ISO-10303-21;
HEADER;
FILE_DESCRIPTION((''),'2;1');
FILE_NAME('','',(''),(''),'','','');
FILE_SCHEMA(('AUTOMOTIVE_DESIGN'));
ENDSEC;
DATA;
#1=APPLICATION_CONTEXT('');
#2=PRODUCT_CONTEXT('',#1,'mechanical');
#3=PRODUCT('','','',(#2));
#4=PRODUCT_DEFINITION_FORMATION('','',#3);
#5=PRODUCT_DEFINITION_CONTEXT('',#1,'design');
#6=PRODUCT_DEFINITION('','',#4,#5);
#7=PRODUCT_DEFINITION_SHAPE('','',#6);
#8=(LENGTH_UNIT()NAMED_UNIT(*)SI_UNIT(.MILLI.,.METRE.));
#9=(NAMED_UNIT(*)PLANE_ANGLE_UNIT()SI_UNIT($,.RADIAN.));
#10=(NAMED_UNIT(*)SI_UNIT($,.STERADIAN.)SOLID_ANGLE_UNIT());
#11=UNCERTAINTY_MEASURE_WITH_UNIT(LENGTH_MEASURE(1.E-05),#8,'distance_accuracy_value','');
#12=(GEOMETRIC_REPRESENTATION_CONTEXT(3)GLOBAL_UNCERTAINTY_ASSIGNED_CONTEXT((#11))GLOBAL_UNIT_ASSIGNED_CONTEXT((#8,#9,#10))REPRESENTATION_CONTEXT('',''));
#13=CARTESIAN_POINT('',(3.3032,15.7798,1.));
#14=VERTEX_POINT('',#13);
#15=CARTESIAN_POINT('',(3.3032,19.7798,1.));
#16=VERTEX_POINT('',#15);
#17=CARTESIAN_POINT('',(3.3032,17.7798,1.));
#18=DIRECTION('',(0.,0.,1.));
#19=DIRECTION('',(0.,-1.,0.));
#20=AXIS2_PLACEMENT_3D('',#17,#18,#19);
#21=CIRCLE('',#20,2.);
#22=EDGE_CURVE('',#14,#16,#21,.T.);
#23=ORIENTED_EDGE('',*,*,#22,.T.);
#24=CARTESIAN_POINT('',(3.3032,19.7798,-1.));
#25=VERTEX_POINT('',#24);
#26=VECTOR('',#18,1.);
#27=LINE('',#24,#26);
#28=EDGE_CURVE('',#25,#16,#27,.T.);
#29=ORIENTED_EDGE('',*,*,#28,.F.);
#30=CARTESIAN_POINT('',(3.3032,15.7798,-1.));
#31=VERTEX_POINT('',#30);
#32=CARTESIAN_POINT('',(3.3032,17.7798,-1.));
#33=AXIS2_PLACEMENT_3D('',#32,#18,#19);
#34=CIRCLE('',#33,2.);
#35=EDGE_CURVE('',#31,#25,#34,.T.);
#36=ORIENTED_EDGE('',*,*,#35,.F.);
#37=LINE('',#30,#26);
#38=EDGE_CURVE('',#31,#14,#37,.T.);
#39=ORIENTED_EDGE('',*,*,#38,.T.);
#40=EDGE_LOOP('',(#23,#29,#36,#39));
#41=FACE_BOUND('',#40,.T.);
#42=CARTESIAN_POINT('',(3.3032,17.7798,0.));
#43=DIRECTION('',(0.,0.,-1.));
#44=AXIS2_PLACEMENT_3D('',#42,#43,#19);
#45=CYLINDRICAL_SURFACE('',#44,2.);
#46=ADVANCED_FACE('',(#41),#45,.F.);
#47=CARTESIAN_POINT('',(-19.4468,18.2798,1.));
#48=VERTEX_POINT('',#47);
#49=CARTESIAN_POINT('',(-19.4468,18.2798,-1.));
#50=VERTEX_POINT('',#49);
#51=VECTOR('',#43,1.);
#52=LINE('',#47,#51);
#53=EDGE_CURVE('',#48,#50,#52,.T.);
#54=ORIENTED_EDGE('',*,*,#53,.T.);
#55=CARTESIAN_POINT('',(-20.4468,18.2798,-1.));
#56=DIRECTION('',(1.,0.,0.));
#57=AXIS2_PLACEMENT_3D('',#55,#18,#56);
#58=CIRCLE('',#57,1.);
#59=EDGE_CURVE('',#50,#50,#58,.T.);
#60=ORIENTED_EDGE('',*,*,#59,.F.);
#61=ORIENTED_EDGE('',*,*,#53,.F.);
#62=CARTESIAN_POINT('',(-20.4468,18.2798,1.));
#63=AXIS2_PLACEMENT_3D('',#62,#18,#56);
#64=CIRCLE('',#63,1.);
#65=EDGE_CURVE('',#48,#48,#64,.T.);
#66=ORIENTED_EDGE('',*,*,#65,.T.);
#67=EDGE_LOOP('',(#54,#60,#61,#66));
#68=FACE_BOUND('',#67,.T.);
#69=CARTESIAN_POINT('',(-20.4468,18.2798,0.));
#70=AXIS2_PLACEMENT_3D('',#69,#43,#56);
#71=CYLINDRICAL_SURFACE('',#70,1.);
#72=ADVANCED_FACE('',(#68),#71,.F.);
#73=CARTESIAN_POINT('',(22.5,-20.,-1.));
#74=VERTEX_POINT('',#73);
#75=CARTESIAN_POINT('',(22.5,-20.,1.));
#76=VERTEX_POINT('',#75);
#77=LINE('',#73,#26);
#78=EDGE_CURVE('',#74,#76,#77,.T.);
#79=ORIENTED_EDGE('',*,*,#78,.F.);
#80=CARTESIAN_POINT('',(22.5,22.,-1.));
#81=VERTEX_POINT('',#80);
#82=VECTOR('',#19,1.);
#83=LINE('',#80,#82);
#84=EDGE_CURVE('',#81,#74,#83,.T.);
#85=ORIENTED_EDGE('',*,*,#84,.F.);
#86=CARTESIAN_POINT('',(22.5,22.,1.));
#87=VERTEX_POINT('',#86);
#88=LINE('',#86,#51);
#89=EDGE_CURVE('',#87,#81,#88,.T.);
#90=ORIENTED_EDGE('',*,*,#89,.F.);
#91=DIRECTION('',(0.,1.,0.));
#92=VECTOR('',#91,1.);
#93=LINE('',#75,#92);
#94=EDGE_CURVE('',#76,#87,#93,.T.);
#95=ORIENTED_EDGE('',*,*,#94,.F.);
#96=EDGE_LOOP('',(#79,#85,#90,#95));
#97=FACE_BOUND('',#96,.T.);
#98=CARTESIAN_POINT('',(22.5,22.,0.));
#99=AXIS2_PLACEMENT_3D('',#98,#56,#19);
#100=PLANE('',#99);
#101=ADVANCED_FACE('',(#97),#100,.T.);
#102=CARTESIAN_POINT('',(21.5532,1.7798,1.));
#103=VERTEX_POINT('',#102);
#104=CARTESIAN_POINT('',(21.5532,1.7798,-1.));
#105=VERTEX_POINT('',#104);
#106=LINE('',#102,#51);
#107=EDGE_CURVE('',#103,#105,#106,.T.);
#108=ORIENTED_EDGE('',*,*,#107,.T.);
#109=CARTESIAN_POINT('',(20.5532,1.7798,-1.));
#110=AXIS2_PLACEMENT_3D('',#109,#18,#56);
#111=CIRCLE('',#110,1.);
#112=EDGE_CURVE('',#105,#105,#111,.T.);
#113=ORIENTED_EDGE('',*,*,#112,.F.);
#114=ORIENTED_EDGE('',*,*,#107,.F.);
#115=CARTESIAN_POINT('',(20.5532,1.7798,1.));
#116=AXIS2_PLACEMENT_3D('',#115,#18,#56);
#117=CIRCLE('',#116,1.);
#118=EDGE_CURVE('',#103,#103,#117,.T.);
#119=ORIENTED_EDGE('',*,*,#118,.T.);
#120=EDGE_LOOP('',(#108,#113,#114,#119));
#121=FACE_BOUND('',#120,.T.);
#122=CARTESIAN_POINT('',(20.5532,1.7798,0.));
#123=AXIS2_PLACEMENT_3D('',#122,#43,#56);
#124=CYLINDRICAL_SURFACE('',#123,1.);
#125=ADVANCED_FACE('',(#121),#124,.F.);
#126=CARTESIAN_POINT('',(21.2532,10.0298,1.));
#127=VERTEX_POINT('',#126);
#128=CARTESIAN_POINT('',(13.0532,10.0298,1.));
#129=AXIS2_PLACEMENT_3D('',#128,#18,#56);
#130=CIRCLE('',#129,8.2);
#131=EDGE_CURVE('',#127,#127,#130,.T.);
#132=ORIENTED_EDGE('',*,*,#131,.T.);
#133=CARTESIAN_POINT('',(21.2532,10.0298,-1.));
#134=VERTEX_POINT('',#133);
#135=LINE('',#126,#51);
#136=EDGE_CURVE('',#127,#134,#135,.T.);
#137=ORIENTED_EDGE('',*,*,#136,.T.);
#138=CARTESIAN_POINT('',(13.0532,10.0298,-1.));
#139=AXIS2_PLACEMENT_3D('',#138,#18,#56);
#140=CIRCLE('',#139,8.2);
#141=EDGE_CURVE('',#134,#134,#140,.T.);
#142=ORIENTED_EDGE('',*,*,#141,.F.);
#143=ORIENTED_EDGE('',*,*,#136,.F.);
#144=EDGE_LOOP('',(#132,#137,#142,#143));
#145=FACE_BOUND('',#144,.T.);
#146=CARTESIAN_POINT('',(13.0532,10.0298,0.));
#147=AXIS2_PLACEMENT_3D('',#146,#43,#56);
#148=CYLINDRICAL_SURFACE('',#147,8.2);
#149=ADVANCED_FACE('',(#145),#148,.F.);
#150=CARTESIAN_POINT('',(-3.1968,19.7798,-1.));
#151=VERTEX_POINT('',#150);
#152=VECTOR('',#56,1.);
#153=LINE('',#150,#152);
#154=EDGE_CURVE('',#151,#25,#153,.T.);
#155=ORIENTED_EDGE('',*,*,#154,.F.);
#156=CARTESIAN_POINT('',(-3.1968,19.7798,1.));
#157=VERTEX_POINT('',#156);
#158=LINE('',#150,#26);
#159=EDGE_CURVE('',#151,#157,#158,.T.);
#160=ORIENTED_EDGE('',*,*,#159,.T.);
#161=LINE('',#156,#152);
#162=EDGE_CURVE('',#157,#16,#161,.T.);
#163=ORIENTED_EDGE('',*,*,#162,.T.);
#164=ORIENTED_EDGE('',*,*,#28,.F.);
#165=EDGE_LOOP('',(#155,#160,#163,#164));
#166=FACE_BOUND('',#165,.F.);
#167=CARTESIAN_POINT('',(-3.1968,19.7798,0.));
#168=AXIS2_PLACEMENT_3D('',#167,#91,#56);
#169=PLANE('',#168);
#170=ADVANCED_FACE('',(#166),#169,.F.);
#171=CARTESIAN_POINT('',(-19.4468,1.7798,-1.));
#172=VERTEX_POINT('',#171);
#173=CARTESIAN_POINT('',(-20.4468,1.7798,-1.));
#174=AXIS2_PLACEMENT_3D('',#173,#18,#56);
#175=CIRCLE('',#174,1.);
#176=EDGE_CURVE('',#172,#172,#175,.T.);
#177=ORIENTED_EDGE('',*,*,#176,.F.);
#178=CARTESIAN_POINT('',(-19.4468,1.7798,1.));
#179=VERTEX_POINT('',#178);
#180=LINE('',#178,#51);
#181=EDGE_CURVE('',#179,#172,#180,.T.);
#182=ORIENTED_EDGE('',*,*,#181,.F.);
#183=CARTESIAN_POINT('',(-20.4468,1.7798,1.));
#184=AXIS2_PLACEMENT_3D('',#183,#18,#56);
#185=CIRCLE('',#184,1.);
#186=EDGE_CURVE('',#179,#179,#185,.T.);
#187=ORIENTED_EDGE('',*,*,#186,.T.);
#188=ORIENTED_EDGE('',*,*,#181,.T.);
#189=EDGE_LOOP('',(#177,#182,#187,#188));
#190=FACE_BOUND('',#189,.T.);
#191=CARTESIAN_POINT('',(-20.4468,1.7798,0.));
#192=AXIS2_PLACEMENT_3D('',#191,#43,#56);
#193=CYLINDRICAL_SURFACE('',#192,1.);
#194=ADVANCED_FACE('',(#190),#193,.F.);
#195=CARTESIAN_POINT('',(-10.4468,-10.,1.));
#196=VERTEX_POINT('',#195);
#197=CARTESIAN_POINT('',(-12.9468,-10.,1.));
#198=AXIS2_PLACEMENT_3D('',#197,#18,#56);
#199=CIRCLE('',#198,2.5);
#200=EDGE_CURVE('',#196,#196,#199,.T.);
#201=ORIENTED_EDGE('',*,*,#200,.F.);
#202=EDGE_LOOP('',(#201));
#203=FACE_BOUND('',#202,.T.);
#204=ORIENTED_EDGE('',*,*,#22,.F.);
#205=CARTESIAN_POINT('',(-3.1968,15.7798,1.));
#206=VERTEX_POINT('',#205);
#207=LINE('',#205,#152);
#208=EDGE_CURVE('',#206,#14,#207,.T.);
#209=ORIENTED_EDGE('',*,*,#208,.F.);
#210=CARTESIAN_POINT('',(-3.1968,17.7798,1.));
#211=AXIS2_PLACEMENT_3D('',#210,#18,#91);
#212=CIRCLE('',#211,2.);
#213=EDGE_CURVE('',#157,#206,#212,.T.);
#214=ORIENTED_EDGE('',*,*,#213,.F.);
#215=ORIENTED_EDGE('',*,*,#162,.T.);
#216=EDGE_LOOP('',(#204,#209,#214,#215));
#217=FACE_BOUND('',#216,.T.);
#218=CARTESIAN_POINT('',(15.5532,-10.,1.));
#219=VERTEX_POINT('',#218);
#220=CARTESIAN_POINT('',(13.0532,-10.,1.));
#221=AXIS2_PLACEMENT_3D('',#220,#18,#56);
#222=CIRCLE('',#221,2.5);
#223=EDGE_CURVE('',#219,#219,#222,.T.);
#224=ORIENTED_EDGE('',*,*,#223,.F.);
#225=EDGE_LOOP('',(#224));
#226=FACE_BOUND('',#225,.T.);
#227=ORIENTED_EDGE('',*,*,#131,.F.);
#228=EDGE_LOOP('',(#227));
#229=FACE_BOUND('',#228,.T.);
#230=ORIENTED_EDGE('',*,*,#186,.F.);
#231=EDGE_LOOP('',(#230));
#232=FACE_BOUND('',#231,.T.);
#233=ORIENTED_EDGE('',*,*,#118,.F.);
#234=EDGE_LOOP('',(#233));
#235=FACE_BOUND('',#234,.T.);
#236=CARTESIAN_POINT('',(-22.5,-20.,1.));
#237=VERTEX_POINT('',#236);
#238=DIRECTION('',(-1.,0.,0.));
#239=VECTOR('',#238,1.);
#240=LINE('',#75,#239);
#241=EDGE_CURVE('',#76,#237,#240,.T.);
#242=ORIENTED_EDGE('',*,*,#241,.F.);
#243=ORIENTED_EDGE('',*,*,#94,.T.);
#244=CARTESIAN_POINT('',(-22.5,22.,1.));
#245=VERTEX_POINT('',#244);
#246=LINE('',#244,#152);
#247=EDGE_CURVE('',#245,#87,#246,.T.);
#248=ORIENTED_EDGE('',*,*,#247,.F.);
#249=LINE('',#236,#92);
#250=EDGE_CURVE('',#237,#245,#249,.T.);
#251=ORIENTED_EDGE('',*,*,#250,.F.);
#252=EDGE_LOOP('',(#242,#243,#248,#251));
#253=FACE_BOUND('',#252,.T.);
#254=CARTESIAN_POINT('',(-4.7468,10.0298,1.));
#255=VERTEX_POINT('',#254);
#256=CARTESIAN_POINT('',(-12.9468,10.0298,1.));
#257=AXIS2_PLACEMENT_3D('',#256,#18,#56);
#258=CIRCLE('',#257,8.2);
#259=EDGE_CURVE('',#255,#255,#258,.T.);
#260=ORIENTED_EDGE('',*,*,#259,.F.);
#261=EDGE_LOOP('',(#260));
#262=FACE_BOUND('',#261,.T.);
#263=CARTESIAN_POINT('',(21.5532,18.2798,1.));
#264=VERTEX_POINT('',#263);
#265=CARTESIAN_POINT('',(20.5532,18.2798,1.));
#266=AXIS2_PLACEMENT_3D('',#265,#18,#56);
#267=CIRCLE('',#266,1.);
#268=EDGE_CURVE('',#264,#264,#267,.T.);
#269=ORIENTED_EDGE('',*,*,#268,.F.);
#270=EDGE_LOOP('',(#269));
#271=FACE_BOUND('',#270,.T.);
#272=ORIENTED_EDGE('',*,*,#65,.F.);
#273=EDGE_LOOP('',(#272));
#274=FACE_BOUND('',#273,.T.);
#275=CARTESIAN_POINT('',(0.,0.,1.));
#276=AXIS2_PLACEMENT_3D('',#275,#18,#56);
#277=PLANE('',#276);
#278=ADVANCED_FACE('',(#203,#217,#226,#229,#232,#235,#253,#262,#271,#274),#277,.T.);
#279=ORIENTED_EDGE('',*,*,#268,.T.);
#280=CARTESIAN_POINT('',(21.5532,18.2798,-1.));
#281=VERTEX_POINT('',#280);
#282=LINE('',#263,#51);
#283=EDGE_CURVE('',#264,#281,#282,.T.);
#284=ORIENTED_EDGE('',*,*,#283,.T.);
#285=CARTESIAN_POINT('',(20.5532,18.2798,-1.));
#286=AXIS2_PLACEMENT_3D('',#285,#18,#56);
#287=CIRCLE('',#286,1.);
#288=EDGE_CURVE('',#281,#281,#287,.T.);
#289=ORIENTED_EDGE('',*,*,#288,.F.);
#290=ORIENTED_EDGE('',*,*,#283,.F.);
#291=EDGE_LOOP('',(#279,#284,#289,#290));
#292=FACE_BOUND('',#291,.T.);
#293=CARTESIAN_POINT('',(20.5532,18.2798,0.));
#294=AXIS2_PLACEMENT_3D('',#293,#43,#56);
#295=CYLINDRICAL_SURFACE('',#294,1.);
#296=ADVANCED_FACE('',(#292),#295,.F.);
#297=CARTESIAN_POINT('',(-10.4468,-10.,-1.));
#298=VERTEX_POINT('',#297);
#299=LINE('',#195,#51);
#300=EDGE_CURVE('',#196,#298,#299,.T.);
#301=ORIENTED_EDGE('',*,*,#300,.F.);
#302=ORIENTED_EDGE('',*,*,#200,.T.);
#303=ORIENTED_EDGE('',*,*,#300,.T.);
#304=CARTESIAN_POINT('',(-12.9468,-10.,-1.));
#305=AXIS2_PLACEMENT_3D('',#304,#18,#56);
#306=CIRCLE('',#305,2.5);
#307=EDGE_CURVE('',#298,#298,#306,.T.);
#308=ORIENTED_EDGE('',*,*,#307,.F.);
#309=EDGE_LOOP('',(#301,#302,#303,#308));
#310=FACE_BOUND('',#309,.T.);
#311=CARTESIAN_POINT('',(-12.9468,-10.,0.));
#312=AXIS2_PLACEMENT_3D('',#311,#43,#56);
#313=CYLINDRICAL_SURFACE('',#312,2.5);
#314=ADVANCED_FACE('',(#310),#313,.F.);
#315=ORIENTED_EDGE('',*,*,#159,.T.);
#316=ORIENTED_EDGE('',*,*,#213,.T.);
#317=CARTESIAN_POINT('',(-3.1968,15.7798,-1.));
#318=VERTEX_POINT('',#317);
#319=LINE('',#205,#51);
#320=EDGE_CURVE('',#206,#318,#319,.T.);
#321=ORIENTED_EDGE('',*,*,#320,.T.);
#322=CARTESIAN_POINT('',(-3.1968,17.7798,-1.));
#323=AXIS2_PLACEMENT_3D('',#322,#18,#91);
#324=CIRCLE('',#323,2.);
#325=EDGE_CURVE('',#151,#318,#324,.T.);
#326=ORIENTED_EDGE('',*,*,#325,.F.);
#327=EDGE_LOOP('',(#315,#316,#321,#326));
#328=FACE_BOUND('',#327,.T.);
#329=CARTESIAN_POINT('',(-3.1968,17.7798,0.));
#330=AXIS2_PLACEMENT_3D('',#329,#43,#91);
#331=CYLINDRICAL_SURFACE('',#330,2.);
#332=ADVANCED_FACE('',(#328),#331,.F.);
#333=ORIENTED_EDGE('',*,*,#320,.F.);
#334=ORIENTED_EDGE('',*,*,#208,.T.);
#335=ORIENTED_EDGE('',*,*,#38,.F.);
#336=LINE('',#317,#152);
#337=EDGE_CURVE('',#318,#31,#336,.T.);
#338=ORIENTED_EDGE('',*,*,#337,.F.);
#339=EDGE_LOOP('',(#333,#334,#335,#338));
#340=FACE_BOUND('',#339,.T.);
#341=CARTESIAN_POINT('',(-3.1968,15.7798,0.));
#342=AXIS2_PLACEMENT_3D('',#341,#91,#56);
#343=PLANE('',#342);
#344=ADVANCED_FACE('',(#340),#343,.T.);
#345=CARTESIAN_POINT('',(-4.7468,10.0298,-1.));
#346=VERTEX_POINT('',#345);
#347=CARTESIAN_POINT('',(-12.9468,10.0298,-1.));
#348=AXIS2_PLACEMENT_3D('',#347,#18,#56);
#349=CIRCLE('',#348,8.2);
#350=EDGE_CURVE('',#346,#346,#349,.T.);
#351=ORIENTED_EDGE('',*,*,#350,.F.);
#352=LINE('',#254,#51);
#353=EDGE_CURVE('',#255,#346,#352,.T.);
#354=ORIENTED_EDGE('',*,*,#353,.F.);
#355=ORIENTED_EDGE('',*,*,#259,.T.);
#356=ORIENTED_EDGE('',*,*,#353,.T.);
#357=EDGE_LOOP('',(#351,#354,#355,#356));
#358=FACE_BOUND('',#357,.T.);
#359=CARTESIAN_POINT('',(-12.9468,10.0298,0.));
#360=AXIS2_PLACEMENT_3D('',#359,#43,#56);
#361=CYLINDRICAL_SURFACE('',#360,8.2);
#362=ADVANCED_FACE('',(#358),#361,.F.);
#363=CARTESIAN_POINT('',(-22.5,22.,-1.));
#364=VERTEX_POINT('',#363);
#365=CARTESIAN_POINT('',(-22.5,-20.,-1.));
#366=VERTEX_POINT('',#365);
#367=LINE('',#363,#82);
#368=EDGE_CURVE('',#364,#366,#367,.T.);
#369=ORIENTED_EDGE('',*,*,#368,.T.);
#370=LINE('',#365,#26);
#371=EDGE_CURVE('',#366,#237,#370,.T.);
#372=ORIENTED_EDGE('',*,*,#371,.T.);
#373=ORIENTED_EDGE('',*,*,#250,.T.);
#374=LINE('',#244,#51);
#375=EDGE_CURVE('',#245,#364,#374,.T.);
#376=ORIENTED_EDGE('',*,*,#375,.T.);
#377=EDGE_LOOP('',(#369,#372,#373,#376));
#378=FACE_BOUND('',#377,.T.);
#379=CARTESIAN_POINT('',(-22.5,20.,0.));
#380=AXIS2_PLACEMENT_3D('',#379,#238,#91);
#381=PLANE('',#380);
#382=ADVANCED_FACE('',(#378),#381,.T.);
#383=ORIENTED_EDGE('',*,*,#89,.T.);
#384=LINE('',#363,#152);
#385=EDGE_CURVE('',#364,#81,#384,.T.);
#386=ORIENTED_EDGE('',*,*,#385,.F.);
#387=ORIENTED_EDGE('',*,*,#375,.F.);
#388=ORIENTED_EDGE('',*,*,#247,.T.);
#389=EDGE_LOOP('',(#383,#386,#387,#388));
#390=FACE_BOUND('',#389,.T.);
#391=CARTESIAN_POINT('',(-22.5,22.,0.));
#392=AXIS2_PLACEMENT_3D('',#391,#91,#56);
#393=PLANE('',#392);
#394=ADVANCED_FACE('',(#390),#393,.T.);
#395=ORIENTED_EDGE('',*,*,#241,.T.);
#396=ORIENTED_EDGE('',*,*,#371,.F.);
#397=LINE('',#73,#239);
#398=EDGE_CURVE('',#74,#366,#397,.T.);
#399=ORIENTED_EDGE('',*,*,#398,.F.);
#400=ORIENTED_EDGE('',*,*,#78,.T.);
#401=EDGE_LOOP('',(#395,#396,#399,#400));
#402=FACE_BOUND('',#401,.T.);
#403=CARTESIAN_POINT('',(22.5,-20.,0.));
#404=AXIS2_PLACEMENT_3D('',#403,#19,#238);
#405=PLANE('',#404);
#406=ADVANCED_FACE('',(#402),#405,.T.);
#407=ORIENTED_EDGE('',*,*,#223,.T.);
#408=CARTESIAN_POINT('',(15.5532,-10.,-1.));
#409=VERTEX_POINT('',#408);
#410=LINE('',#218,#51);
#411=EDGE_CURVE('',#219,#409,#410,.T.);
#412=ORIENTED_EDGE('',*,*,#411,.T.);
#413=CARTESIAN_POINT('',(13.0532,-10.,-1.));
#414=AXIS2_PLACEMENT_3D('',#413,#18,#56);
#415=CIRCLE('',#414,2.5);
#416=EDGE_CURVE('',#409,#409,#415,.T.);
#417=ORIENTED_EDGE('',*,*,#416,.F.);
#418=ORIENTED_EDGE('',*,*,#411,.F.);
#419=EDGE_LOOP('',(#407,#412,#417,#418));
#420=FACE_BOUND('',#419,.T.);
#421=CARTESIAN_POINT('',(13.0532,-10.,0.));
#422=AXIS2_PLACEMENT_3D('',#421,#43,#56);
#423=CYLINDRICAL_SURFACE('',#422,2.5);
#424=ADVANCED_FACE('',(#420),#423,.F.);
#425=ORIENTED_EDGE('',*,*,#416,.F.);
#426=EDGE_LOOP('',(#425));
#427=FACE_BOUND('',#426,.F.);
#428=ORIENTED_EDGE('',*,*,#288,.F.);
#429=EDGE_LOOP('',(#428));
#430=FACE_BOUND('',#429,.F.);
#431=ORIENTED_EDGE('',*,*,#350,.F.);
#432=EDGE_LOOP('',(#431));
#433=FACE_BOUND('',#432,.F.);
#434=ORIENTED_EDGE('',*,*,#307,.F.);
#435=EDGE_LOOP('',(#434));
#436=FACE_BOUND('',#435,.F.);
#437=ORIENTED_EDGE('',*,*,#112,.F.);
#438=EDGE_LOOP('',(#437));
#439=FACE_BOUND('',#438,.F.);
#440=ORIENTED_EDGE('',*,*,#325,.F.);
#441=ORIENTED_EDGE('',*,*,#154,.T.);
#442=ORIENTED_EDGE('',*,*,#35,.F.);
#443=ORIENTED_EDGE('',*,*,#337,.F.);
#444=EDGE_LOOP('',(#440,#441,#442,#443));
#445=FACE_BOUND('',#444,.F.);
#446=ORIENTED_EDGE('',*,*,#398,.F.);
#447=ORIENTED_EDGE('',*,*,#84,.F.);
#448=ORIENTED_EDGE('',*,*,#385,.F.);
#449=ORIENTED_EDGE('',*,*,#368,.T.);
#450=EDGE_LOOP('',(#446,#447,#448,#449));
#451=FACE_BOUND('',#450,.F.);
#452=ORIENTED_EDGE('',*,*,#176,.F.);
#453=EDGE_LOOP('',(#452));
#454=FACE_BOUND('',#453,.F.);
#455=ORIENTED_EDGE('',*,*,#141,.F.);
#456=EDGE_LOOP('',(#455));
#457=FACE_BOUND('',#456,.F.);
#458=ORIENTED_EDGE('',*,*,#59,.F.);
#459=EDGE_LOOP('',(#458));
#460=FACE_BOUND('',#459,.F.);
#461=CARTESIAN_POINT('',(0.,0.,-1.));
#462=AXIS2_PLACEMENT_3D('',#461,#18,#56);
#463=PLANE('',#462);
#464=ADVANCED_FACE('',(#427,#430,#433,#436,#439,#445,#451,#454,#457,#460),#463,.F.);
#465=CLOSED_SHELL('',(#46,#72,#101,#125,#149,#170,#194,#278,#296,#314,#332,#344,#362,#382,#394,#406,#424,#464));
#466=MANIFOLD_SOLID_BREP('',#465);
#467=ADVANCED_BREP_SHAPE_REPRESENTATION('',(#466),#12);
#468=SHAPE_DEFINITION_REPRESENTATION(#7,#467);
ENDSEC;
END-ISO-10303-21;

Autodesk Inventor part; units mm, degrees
sketch "Sketch1" plane through (0, 0, 0) normal (0, 0, 1) x (1, 0, 0)
  line L0 (-22.5, 20) -> (22.5, 20)
  line L1 (22.5, 20) -> (22.5, 0)
  line L2 (22.5, 0) -> (-22.5, 0)
  line L3 (-22.5, 0) -> (-22.5, 20)
  line L4 (-22.5, 20) -> (22.5, 0) construction
  line L5 (22.5, 20) -> (-22.5, 0) construction
  circle A0 centre (-20.4468, 18.2798) radius 1
  circle A1 centre (20.5532, 18.2798) radius 1
  circle A2 centre (20.5532, 1.7798) radius 1
  circle A3 centre (-20.4468, 1.7798) radius 1
  circle A4 centre (-12.9468, 10.0298) radius 8.2
  circle A5 centre (13.0532, 10.0298) radius 8.2
  line L6 (-3.1968, 19.7798) -> (3.3032, 19.7798)
  line L7 (-3.1968, 15.7798) -> (3.3032, 15.7798)
  arc A6 (-3.1968, 19.7798) -> (-3.1968, 15.7798) centre (-3.1968, 17.7798) ccw
  arc A7 (3.3032, 15.7798) -> (3.3032, 19.7798) centre (3.3032, 17.7798) ccw
  line L8 (-22.5, 0) -> (22.5, 0)
  line L9 (22.5, 0) -> (22.5, -20)
  line L10 (22.5, -20) -> (-22.5, -20)
  line L11 (-22.5, -20) -> (-22.5, 0)
  line L12 (-22.5, 0) -> (22.5, -20) construction
  line L13 (22.5, 0) -> (-22.5, -20) construction
  circle A8 centre (13.0532, -10) radius 2.5
  circle A9 centre (-12.9468, -10) radius 2.5
  circle A10 centre (-20.4468, 18.2798) radius 1 projected
  circle A11 centre (-20.4468, 1.7798) radius 1 projected
  circle A12 centre (20.5532, 18.2798) radius 1 projected
  circle A13 centre (20.5532, 1.7798) radius 1 projected
  line L14 (-22.5, 22) -> (22.5, 22)
  line L15 (22.5, 22) -> (22.5, 20)
  line L16 (22.5, 20) -> (-22.5, 20)
  line L17 (-22.5, 20) -> (-22.5, 22)
  point P0 (0, 0)
  point P1 (0, 10)
  point P2 (-5.1968, 17.7798)
  point P3 (0, 0)
  point P4 (5.3032, 17.7798)
  point P5 (0, -10)
  point P6 (-22.5, 0)
  point P7 (0, 20)
  dimension "d0" = 45
  dimension "d1" = 20
  dimension "d16" = 16.4
  dimension "d18" = 12.9468
  dimension "d19" = 9.9702
  dimension "d20" = 9.9702
  dimension "d21" = 13.0532
  dimension "d23" = 10.5
  dimension "d24" = 2
  dimension "d25" = 5
  dimension "d26" = 20
  dimension "d27" = 2
extrude "Extrusion2" add sketch "Sketch1" along normal mid plane 2
properties part number "suporte_ultrassonico_001_3DPrint"
